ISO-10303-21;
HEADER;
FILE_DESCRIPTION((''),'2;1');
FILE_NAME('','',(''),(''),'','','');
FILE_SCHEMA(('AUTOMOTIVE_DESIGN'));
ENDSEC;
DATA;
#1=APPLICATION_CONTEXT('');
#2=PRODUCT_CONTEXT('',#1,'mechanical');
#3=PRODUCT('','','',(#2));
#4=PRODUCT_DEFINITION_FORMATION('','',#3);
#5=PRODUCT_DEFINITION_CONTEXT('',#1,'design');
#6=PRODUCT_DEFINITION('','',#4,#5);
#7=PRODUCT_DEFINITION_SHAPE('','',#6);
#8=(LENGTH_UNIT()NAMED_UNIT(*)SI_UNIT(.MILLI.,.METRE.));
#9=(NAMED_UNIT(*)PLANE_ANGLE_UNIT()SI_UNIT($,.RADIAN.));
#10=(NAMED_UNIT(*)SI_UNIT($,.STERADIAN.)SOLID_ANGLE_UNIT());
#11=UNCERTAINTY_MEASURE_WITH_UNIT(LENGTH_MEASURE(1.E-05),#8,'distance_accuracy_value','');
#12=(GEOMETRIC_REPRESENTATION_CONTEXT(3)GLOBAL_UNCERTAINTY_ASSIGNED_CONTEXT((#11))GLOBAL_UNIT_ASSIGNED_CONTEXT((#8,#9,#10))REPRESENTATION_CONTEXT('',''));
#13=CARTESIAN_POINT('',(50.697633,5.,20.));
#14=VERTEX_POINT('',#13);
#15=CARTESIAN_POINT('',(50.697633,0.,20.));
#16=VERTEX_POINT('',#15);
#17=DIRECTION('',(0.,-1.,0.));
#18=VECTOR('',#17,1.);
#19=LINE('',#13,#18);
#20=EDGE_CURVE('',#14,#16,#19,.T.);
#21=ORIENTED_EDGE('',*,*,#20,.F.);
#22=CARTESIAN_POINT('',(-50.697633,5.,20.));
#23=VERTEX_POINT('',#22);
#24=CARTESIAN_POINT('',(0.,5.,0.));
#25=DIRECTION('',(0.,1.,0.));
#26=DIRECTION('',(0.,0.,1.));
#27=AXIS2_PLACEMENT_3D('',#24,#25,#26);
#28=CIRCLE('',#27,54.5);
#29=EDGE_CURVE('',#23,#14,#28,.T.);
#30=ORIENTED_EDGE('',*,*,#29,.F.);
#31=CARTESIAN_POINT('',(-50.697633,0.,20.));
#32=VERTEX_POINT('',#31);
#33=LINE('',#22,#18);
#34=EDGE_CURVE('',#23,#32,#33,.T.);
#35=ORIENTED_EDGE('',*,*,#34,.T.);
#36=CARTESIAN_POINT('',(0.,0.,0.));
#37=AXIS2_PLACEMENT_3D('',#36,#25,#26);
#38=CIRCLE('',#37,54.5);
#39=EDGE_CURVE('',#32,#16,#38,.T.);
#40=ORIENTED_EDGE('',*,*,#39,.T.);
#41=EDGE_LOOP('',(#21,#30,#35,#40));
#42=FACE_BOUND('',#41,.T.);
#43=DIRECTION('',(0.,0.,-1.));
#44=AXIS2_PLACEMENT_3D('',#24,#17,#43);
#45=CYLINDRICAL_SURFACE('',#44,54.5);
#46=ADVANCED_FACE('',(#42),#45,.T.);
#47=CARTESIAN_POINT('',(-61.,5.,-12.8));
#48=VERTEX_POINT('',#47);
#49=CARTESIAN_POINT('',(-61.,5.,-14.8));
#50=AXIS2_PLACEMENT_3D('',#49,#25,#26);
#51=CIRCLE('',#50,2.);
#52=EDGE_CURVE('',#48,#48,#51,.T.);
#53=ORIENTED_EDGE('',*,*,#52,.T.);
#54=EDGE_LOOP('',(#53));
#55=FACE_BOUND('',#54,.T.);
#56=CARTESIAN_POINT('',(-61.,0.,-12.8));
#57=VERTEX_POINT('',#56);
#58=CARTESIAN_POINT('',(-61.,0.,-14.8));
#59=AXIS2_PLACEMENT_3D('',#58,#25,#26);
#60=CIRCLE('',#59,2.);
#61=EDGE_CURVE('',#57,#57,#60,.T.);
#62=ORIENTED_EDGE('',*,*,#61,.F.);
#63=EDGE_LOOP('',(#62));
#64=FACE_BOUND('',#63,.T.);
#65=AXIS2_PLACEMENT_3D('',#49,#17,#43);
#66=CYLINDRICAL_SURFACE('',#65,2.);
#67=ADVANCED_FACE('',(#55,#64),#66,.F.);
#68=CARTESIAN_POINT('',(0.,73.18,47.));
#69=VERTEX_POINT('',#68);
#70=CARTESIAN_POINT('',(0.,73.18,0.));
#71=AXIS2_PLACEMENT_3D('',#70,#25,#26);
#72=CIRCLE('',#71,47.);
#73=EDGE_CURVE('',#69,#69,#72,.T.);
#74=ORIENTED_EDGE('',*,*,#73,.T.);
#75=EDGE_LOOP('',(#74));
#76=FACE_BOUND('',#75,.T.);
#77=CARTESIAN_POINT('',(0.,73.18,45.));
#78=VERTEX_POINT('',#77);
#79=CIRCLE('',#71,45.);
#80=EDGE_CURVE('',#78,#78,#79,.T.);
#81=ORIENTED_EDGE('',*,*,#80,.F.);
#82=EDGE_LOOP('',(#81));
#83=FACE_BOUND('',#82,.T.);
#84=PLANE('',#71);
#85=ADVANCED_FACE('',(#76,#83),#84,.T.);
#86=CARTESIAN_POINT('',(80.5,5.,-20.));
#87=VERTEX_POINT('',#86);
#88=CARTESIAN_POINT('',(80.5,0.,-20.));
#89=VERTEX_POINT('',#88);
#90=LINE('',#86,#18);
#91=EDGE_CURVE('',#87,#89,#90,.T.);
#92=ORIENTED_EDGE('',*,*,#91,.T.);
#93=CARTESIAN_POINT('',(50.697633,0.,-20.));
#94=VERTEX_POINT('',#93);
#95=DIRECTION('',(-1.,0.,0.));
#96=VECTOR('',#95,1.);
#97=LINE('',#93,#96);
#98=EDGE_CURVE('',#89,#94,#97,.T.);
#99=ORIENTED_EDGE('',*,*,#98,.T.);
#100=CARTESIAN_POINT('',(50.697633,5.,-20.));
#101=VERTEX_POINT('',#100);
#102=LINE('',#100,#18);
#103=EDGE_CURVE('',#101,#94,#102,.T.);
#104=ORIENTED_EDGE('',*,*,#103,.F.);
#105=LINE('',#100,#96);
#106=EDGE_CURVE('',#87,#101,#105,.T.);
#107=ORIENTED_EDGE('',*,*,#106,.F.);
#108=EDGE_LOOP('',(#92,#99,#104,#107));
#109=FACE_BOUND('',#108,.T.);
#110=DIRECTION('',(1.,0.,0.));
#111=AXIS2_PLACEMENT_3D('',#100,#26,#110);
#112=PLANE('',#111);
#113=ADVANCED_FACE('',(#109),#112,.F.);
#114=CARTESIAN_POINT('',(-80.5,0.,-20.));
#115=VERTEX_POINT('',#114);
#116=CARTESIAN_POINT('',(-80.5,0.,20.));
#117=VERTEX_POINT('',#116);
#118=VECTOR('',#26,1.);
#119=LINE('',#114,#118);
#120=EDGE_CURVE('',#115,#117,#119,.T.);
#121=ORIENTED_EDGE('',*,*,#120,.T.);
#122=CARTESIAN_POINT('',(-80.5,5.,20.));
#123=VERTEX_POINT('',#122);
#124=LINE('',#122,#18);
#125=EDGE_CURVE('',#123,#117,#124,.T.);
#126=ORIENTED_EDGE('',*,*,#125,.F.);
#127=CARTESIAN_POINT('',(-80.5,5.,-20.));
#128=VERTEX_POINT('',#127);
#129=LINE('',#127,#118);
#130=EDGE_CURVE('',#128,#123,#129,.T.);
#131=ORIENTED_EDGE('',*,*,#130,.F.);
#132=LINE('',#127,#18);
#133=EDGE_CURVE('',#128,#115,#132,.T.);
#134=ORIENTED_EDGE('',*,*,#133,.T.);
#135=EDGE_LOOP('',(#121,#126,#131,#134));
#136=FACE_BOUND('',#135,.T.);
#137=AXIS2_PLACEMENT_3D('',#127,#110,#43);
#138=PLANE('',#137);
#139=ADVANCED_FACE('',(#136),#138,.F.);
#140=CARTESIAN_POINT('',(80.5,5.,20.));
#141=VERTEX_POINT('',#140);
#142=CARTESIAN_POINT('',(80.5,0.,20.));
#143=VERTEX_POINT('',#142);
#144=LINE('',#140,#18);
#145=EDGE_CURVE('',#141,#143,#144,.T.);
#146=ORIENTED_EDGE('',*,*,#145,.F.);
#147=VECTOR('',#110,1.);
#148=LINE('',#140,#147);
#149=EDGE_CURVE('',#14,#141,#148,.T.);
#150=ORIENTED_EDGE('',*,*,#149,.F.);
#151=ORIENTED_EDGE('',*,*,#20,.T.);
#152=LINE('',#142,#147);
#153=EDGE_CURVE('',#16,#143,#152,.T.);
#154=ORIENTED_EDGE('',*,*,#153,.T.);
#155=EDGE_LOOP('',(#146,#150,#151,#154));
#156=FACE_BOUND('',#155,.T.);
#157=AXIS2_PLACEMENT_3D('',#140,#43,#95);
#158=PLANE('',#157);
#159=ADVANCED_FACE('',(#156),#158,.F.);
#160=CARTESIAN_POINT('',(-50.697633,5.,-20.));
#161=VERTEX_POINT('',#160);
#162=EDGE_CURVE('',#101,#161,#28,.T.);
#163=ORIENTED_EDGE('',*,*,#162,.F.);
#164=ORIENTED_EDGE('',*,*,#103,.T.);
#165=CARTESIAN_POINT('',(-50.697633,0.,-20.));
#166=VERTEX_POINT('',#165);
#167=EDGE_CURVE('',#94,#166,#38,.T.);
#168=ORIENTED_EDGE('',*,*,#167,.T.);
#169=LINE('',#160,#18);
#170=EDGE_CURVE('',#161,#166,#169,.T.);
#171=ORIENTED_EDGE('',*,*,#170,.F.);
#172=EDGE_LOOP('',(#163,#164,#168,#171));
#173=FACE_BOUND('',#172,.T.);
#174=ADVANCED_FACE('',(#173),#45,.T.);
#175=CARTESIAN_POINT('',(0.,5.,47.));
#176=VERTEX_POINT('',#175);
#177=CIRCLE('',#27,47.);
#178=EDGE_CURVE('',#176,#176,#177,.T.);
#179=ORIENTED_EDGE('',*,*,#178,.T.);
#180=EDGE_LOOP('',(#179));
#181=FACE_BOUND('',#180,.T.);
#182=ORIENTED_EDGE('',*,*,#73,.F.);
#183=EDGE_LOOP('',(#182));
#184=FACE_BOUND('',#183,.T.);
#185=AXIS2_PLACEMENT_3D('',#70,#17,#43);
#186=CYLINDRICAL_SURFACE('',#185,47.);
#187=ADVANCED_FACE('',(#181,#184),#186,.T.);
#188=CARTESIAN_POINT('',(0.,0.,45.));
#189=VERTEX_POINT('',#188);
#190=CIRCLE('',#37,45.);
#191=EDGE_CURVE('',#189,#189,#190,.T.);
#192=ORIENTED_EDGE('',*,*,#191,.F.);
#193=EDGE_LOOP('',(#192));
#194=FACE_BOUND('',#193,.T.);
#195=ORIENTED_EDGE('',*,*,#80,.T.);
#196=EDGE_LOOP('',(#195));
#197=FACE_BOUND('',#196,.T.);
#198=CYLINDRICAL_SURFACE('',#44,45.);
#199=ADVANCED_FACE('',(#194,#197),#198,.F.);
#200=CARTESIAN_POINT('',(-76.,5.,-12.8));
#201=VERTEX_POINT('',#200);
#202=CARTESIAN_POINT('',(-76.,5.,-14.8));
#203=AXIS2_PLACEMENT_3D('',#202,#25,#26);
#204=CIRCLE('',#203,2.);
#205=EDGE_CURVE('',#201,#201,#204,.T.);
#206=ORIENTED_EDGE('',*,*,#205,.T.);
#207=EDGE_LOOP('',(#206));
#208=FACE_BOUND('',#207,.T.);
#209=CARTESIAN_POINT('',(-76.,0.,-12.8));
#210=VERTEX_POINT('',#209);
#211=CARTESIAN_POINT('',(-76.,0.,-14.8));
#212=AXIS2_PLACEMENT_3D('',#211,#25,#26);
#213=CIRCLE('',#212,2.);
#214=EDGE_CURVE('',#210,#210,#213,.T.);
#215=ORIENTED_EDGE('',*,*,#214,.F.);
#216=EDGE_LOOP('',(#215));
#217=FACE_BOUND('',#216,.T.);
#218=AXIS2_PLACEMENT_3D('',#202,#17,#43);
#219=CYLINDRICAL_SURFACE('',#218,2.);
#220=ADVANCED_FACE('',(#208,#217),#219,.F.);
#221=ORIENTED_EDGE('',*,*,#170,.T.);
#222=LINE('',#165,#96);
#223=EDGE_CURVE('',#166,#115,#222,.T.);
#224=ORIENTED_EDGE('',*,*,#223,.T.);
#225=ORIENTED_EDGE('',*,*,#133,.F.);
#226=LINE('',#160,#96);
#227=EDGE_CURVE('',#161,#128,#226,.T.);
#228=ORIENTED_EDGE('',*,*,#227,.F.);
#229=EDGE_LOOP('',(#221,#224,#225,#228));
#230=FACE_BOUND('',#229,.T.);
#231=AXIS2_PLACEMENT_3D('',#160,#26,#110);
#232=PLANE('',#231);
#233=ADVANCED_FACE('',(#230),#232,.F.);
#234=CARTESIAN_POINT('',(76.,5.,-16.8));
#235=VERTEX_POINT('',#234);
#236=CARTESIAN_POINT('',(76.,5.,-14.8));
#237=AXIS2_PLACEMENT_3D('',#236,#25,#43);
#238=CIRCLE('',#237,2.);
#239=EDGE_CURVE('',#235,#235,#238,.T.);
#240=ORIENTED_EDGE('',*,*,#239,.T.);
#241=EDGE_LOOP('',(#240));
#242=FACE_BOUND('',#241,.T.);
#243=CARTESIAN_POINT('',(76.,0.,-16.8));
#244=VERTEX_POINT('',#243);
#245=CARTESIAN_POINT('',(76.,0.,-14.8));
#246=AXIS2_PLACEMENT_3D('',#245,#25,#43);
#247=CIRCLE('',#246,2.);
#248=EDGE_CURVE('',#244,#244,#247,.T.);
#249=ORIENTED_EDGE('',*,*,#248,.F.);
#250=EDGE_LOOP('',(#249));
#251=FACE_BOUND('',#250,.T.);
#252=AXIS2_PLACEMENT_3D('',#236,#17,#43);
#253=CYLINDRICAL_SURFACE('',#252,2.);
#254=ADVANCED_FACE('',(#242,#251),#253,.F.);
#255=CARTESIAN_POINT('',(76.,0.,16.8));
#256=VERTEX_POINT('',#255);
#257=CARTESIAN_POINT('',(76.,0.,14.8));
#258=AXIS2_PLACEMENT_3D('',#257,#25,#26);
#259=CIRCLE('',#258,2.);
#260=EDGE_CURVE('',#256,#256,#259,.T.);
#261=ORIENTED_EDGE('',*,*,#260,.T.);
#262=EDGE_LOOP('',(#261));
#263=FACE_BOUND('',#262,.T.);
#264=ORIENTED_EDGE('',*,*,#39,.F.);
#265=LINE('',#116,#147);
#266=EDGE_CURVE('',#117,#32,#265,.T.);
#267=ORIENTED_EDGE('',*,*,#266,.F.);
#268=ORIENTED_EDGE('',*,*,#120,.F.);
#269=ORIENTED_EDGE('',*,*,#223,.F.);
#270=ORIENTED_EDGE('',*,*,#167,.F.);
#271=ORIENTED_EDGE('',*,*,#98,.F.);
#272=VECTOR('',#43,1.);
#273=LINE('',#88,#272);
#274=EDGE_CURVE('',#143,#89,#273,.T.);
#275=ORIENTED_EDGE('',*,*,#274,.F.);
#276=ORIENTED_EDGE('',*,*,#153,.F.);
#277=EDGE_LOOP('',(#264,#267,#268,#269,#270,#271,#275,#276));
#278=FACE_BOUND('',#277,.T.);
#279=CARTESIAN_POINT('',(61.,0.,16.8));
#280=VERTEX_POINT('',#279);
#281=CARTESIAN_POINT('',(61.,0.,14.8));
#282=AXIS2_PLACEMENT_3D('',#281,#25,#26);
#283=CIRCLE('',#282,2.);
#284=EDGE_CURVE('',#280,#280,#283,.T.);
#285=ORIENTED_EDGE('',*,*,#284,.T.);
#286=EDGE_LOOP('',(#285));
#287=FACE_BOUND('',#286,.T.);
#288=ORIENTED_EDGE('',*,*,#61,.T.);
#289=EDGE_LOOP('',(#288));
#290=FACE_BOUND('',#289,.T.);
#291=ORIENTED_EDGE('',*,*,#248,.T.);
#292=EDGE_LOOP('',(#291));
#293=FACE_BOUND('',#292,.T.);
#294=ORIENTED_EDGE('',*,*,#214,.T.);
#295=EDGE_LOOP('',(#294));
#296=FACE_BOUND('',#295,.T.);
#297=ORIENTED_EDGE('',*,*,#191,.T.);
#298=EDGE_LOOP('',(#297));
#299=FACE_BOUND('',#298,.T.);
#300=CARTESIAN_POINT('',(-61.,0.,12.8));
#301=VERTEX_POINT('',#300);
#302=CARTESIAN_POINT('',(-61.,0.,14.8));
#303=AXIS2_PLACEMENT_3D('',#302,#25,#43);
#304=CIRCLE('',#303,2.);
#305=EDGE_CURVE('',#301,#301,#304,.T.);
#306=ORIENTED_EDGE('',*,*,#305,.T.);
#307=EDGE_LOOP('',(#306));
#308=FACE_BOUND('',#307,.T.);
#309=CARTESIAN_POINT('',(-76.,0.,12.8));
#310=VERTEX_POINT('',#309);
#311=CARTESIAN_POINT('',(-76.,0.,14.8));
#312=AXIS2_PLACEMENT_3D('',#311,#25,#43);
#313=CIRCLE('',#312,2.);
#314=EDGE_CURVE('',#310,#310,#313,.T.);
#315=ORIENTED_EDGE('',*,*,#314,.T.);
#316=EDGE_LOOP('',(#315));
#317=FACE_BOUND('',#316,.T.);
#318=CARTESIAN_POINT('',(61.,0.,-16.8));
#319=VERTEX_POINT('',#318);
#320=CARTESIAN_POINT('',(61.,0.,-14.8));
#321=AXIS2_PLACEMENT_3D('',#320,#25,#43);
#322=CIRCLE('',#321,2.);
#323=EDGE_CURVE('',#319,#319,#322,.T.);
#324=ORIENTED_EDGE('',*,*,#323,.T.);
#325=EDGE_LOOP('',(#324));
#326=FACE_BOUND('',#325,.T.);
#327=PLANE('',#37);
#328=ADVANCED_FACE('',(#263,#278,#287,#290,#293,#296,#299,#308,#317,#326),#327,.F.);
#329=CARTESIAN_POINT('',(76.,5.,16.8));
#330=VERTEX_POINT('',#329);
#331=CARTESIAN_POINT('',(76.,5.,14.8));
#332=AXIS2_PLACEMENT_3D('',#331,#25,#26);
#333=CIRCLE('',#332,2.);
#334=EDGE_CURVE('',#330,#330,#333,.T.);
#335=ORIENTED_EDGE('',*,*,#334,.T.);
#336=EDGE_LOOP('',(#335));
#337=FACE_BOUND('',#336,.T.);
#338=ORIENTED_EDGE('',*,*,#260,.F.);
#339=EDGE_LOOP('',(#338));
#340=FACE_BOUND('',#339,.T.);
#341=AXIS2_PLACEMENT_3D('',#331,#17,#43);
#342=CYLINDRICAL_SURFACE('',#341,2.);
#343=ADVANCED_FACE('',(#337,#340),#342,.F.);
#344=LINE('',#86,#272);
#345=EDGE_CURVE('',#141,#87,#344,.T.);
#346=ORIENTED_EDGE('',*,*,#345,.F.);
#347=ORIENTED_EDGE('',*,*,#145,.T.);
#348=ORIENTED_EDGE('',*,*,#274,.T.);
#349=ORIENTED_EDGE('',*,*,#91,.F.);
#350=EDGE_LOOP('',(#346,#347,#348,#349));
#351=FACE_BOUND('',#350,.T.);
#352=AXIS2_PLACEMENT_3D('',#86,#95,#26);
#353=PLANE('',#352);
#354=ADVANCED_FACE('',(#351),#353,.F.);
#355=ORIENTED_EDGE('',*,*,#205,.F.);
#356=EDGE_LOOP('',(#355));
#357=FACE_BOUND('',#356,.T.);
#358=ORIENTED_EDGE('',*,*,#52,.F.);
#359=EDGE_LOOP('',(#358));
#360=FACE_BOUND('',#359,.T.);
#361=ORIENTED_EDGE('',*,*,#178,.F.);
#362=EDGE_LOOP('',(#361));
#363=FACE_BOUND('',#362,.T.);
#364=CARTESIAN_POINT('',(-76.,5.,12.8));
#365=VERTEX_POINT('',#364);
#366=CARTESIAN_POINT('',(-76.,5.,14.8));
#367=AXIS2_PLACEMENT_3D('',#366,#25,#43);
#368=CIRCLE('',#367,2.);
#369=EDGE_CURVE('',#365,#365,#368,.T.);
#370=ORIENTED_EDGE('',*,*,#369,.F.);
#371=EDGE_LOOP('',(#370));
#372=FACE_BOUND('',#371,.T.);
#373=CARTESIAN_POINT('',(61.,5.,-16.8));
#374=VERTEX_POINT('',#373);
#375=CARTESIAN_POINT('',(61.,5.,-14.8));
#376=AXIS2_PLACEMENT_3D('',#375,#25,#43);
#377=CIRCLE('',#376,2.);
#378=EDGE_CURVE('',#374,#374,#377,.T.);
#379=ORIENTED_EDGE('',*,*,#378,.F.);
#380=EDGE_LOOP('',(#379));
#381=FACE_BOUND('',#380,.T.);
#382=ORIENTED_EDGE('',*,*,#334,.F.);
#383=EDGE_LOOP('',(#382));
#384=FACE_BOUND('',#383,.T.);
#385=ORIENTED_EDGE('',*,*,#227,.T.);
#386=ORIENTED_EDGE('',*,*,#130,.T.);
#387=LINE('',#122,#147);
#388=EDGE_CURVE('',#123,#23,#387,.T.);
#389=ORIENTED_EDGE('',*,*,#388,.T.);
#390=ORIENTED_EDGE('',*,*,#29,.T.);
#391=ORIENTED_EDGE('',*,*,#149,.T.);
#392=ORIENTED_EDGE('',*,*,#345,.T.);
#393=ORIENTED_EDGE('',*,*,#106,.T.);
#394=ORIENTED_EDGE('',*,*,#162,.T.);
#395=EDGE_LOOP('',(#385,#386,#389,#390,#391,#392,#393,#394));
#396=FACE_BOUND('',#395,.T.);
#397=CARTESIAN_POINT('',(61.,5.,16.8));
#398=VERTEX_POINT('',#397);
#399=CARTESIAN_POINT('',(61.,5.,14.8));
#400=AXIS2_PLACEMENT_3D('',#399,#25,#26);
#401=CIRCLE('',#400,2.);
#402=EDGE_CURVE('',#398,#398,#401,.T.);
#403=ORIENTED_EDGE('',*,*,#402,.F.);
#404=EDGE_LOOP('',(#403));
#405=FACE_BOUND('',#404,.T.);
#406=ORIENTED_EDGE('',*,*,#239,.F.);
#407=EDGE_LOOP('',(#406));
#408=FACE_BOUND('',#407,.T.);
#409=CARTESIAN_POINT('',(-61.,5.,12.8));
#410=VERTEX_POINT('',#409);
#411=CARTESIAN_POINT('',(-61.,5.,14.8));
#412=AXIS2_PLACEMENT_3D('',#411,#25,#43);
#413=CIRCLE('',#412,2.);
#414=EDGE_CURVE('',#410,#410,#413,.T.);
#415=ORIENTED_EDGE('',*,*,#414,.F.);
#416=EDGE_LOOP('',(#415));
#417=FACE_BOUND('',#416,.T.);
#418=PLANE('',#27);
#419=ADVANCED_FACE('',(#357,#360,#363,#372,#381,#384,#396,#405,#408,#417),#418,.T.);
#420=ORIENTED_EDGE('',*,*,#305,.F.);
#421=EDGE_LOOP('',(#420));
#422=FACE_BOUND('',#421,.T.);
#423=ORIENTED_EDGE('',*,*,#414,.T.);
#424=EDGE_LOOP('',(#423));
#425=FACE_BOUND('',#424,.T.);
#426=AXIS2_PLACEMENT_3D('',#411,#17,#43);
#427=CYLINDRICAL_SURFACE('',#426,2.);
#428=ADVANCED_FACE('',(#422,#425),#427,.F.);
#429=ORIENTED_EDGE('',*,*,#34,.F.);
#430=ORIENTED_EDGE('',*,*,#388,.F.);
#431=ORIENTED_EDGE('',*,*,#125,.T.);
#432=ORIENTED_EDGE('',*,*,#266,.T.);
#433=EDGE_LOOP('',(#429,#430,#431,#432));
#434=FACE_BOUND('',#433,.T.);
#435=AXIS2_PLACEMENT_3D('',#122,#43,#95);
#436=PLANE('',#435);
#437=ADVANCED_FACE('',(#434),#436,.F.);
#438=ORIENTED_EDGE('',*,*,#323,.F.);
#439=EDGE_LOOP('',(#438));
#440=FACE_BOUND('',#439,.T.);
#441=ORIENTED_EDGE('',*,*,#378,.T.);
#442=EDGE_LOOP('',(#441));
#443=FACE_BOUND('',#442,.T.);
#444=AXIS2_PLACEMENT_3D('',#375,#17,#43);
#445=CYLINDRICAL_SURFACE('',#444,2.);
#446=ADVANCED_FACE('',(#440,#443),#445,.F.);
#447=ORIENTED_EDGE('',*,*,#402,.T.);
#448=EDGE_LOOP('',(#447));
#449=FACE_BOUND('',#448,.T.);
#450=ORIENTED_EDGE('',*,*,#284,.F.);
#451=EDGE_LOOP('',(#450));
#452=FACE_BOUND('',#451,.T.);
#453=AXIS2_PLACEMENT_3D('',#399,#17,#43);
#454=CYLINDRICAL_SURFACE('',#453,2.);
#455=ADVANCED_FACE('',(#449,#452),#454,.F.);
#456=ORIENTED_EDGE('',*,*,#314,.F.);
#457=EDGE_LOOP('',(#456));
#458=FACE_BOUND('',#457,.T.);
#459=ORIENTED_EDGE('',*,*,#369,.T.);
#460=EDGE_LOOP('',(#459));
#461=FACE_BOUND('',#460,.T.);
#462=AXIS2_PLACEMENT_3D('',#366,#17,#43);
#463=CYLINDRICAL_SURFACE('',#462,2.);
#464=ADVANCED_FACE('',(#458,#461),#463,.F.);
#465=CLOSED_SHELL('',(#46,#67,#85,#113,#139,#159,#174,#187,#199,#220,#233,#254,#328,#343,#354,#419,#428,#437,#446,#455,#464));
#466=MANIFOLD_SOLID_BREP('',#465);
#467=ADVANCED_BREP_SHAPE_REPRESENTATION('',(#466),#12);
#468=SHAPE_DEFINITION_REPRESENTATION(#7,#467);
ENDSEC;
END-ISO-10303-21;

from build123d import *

# Parameters (mm, degrees)
SKETCH_1_R      = 45
SKETCH_1_R_2    = 2
EXTRUDE_1_DEPTH = 5
SKETCH_2_R      = 47
SKETCH_2_R_2    = 45
EXTRUDE_2_DEPTH = 68.18


with BuildPart() as part:
    # 草图1 → 凸台-拉伸1 (new body)
    with BuildSketch(Plane(origin=(0, 0, 0), x_dir=(1, 0, 0), z_dir=(0, 1, 0))):
        with BuildLine():
            Line((50.697633081, 20), (80.5, 20))
            Line((80.5, 20), (80.5, -20))
            Line((80.5, -20), (50.697633081, -20))
            ThreePointArc((50.697633081, -20), (0, -54.5), (-50.697633081, -20))
            Line((-50.697633081, -20), (-80.5, -20))
            Line((-80.5, -20), (-80.5, 20))
            Line((-80.5, 20), (-50.697633081, 20))
            ThreePointArc((-50.697633081, 20), (0, 54.5), (50.697633081, 20))
        make_face()
        Circle(SKETCH_1_R, mode=Mode.SUBTRACT)
        with Locations((76, -14.8)):
            Circle(SKETCH_1_R_2, mode=Mode.SUBTRACT)
        with Locations((61, -14.8)):
            Circle(SKETCH_1_R_2, mode=Mode.SUBTRACT)
        with Locations((76, 14.8)):
            Circle(SKETCH_1_R_2, mode=Mode.SUBTRACT)
        with Locations((61, 14.8)):
            Circle(SKETCH_1_R_2, mode=Mode.SUBTRACT)
        with Locations((-61, 14.8)):
            Circle(SKETCH_1_R_2, mode=Mode.SUBTRACT)
        with Locations((-76, 14.8)):
            Circle(SKETCH_1_R_2, mode=Mode.SUBTRACT)
        with Locations((-76, -14.8)):
            Circle(SKETCH_1_R_2, mode=Mode.SUBTRACT)
        with Locations((-61, -14.8)):
            Circle(SKETCH_1_R_2, mode=Mode.SUBTRACT)
    extrude(amount=EXTRUDE_1_DEPTH)

    # 草图2 → 凸台-拉伸2 (add)
    with BuildSketch(Plane(origin=(0, 5, 0), x_dir=(1, 0, 0), z_dir=(0, 1, 0))):
        Circle(SKETCH_2_R)
        Circle(SKETCH_2_R_2, mode=Mode.SUBTRACT)
    extrude(amount=EXTRUDE_2_DEPTH)


solid = part.part
